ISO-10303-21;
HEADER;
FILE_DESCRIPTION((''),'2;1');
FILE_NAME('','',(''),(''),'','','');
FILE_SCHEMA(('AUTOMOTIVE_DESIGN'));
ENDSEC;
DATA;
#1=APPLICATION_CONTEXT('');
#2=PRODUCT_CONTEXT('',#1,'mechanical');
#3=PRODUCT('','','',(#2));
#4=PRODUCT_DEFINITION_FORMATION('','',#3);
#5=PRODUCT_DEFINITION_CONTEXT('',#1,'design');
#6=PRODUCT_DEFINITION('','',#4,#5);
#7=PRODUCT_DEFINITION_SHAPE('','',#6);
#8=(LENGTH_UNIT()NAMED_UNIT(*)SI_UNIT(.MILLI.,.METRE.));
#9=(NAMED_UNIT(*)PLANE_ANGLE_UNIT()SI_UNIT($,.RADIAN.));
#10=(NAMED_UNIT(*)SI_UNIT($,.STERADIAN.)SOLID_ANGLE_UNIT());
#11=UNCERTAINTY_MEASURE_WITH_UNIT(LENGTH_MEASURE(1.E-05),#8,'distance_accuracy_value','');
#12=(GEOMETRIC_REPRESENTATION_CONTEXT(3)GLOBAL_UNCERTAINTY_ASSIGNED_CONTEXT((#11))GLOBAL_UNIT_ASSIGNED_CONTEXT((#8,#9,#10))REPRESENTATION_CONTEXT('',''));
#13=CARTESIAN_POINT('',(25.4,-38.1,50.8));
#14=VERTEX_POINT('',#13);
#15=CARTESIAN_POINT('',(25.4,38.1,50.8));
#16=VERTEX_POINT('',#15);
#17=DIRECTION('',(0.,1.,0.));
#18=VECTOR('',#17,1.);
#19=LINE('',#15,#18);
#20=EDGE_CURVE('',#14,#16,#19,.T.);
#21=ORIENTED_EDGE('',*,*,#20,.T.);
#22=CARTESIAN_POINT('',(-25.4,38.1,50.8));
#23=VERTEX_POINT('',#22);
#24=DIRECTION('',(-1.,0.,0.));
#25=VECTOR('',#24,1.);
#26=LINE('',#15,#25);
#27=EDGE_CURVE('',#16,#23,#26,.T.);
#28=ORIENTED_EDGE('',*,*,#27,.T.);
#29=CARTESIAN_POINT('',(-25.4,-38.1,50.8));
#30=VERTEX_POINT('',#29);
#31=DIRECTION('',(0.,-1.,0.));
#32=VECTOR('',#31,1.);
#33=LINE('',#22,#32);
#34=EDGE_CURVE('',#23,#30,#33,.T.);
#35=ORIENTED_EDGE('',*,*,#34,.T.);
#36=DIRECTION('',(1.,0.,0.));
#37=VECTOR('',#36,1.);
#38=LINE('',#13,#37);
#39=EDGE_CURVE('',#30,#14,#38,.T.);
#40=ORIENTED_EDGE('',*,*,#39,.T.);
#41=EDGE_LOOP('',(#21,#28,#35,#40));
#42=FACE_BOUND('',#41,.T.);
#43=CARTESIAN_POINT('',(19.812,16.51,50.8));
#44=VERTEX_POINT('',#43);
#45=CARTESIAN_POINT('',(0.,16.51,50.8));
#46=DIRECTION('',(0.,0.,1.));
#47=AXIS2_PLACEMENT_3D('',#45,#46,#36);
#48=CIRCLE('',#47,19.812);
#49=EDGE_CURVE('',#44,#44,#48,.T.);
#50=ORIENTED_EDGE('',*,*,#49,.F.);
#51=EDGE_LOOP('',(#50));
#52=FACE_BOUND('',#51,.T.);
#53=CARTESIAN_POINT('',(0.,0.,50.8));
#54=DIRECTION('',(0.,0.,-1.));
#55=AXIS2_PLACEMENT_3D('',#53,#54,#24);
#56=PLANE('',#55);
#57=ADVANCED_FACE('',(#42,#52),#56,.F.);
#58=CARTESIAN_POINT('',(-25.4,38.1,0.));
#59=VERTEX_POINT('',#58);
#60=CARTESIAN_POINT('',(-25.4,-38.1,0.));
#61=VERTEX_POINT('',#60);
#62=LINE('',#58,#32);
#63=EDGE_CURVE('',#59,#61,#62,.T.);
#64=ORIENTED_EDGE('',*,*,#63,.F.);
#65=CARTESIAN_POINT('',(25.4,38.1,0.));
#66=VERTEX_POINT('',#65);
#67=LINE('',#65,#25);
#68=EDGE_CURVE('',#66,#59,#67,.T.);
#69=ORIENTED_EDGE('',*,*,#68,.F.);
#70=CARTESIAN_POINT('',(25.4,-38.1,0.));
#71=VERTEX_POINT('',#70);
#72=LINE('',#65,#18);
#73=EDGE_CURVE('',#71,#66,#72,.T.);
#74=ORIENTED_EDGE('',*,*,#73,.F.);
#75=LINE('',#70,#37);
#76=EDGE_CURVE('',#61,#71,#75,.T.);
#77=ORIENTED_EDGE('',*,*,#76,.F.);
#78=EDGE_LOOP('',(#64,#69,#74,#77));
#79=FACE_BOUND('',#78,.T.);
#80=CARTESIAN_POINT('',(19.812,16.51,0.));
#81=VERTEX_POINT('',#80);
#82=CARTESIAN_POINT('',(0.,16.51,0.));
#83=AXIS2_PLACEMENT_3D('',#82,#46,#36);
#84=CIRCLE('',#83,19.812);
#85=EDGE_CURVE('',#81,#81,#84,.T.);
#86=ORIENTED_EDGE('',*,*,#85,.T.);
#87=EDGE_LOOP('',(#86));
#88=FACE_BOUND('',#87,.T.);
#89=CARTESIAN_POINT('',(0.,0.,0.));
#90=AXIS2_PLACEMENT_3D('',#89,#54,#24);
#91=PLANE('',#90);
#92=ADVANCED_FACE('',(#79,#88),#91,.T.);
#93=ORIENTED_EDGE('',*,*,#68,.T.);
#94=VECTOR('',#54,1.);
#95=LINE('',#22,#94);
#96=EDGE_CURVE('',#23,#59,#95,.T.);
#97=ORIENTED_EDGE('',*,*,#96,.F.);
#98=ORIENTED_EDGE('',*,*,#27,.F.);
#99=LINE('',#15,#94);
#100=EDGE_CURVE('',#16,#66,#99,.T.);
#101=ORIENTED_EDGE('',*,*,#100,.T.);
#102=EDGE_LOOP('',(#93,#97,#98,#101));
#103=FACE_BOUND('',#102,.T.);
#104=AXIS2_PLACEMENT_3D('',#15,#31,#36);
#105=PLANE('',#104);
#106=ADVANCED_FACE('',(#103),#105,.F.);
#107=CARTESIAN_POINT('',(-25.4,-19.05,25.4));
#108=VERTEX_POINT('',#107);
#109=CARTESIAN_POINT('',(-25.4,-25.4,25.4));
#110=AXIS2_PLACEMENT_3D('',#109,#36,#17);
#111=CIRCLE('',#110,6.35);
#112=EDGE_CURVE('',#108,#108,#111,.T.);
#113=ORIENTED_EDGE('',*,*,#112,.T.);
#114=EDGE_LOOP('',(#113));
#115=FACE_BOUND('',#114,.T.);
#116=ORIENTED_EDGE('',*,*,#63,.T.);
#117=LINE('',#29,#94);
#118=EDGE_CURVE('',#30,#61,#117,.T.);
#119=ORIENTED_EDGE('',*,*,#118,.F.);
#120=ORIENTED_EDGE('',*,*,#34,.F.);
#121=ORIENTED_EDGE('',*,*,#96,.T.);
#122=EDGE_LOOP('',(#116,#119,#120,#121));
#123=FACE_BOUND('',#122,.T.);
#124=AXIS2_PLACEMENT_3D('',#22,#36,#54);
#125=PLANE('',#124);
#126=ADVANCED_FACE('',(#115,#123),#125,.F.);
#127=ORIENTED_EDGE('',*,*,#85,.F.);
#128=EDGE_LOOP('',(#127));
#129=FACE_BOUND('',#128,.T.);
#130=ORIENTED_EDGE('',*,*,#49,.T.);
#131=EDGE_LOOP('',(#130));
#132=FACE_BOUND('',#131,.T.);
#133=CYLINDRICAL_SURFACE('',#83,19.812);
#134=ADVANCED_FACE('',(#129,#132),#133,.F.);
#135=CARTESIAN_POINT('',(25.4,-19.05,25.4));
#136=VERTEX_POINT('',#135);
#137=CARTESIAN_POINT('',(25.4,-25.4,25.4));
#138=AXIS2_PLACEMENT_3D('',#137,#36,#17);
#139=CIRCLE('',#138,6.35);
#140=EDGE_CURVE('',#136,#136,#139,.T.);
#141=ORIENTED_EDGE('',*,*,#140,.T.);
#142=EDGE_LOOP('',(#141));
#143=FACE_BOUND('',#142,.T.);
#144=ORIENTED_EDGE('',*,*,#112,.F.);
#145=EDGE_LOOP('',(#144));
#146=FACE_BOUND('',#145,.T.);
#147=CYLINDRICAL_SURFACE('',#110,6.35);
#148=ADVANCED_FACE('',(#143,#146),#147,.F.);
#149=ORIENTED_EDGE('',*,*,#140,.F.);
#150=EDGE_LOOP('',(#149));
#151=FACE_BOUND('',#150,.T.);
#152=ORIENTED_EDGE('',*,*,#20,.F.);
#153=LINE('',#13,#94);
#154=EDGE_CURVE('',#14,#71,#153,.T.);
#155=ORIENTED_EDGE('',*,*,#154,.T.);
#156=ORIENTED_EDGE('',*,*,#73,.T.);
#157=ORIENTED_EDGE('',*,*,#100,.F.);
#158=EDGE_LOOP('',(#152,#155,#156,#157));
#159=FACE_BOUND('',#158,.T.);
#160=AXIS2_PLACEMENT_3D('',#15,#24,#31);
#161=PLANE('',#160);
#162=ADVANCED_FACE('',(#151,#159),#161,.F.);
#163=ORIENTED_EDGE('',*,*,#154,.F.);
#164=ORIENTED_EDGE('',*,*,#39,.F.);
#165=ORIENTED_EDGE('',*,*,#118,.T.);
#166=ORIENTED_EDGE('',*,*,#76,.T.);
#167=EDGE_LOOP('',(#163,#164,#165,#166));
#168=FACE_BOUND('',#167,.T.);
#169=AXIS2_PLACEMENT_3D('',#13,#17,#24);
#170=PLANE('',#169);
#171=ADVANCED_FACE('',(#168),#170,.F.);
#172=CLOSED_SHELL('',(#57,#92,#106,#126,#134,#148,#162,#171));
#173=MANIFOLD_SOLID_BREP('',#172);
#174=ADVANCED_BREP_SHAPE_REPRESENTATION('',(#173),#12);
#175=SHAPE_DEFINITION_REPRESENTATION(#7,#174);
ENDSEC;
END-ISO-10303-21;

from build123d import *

# Parameters (mm, degrees)
SKETCH1_W           = 50.8
SKETCH1_H           = 76.2
BOSS_EXTRUDE1_DEPTH = 50.8
SKETCH2_R           = 19.812
CUT_EXTRUDE1_DEPTH  = 51.8
SKETCH3_R           = 6.35
CUT_EXTRUDE2_DEPTH  = 51.8


with BuildPart() as part:
    # Sketch1 → Boss-Extrude1 (new body)
    with BuildSketch(Plane.XY):
        Rectangle(SKETCH1_W, SKETCH1_H)
    extrude(amount=BOSS_EXTRUDE1_DEPTH)

    # Sketch2 → Cut-Extrude1 (cut, through all)
    with BuildSketch(Plane.XY.offset(50.8)):
        with Locations((0, 16.51)):
            Circle(SKETCH2_R)
    extrude(amount=-CUT_EXTRUDE1_DEPTH, mode=Mode.SUBTRACT)

    # Sketch3 → Cut-Extrude2 (cut, through all)
    with BuildSketch(Plane(origin=(25.4, 0, 0), x_dir=(0, 0, -1), z_dir=(1, 0, 0))):
        with Locations((-25.4, -25.4)):
            Circle(SKETCH3_R)
    extrude(amount=-CUT_EXTRUDE2_DEPTH, mode=Mode.SUBTRACT)


solid = part.part
